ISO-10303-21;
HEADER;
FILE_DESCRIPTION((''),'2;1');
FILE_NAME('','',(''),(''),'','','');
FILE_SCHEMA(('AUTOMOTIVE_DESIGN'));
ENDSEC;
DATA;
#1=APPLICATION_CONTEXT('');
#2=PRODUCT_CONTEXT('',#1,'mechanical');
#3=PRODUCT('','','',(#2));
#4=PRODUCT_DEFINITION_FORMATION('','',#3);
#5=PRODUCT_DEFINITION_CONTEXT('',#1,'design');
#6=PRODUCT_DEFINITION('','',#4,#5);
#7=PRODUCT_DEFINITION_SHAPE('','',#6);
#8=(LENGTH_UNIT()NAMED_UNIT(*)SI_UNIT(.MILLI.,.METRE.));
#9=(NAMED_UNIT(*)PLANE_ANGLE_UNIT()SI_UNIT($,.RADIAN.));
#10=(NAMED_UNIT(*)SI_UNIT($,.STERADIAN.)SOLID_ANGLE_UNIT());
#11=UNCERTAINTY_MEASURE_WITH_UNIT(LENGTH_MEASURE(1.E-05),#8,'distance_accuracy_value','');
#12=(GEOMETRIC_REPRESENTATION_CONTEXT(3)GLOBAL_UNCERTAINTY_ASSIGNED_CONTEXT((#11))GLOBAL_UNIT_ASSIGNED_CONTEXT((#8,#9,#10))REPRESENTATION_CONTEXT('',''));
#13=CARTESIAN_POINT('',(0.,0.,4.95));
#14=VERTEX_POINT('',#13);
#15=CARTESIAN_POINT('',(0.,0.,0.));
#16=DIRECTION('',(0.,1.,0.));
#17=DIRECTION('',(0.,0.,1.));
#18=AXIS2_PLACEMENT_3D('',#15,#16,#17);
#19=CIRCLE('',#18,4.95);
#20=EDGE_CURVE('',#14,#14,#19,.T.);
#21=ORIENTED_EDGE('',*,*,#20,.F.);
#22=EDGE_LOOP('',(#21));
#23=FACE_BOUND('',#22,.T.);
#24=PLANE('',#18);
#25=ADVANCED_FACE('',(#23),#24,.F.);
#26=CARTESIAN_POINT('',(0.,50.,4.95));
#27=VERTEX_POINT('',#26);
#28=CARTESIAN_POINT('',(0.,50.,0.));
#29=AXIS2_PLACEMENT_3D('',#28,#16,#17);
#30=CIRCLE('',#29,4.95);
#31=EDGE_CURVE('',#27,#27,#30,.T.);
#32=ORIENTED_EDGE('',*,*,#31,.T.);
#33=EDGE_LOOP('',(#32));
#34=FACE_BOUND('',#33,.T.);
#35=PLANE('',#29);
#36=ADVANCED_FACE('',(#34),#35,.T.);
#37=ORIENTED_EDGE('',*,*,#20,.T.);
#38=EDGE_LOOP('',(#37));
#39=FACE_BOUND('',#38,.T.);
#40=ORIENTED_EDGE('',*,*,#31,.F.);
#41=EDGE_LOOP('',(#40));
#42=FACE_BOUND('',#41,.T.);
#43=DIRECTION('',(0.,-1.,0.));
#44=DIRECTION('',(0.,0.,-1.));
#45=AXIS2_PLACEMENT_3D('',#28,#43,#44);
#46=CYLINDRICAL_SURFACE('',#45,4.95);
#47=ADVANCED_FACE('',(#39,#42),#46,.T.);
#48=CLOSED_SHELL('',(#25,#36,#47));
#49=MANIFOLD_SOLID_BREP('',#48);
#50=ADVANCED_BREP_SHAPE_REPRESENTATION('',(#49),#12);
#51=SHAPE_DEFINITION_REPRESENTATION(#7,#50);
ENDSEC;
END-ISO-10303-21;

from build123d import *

# Parameters (mm, degrees)
SKETCH2_R           = 4.95
BOSS_EXTRUDE1_DEPTH = 50


with BuildPart() as part:
    # Sketch2 → Boss-Extrude1 (new body)
    with BuildSketch(Plane(origin=(0, 0, 0), x_dir=(1, 0, 0), z_dir=(0, 1, 0))):
        Circle(SKETCH2_R)
    extrude(amount=BOSS_EXTRUDE1_DEPTH)


solid = part.part
